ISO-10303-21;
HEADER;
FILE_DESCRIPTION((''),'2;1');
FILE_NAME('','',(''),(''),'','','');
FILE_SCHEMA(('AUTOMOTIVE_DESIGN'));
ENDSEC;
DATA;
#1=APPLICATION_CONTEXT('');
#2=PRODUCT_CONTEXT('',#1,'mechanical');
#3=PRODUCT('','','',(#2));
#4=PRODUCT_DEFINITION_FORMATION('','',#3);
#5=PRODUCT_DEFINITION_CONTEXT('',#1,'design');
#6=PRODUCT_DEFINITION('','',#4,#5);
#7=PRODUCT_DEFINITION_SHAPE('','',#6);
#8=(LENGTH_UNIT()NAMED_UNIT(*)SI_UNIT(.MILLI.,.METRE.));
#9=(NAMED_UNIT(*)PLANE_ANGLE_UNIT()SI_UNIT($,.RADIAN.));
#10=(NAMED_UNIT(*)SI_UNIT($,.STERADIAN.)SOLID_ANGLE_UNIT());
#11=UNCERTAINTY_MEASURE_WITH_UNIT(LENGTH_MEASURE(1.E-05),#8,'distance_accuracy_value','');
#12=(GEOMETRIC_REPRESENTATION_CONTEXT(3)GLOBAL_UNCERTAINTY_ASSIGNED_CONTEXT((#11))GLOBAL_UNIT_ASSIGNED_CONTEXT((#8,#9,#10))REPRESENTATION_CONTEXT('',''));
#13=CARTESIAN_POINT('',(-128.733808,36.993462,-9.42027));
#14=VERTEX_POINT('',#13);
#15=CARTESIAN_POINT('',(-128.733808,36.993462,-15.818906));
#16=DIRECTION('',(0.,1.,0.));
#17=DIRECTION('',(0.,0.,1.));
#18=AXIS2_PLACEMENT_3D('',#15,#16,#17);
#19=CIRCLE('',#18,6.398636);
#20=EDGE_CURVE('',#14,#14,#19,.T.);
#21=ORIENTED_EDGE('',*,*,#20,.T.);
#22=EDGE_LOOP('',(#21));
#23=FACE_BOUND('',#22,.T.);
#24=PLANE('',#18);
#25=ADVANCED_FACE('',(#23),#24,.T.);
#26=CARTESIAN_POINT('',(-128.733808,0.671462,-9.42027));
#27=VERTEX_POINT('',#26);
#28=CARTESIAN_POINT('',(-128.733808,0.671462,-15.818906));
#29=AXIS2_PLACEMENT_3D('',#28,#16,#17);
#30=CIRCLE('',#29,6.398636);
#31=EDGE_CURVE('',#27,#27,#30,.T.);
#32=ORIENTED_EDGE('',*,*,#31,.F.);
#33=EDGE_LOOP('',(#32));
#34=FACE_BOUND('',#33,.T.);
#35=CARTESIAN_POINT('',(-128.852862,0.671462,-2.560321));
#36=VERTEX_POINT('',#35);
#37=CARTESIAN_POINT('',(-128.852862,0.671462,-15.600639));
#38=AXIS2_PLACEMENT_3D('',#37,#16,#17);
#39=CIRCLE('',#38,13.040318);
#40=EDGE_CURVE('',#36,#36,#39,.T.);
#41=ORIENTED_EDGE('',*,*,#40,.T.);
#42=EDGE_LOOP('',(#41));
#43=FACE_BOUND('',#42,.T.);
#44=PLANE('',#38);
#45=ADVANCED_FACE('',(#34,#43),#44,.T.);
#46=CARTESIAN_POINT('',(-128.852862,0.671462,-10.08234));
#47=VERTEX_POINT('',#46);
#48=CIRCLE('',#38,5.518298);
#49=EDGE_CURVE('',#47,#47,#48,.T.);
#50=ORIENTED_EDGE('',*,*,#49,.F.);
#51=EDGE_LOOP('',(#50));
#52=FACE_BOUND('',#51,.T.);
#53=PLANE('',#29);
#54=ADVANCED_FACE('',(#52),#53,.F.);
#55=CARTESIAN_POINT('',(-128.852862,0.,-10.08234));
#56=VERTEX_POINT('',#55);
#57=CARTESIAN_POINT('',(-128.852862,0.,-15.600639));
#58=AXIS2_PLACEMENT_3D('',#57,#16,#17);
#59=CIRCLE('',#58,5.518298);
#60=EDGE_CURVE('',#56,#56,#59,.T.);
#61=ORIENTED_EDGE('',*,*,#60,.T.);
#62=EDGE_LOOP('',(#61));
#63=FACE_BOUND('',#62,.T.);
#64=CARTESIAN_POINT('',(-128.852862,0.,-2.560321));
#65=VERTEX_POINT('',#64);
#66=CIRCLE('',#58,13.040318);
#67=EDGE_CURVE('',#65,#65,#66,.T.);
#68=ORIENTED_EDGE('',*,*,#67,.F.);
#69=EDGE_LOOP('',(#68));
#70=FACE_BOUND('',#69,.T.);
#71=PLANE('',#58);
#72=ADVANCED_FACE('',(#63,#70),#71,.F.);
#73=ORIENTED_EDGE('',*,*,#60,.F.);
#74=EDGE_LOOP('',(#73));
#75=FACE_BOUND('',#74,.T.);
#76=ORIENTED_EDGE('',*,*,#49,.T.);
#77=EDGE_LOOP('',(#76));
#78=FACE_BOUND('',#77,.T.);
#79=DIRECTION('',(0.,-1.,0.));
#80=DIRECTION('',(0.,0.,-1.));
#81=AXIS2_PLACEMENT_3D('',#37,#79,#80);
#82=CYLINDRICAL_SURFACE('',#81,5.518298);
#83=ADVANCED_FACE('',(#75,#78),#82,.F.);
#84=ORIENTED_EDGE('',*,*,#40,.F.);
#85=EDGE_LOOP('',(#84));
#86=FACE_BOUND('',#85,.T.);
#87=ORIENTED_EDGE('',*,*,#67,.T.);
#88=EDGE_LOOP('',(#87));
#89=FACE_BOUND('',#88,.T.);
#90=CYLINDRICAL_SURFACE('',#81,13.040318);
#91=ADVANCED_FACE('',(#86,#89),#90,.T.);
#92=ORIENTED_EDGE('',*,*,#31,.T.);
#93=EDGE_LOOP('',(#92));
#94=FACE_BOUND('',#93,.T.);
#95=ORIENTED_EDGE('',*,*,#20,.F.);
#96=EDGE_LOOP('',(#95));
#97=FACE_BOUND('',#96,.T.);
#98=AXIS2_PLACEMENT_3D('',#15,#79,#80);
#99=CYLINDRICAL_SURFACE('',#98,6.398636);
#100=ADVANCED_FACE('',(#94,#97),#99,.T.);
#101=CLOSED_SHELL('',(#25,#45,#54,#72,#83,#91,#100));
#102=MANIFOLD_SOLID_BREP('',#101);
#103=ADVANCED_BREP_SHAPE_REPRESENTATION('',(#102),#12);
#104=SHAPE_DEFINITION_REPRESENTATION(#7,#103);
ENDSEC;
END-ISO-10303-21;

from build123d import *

# Parameters (mm, degrees)
SKETCH2_R           = 13.040317797
SKETCH2_R_2         = 5.518298306
BOSS_EXTRUDE2_DEPTH = 0.671461598
SKETCH6_R           = 6.398635868
BOSS_EXTRUDE7_DEPTH = 36.322


with BuildPart() as part:
    # Sketch2 → Boss-Extrude2 (new body)
    with BuildSketch(Plane(origin=(0, 0, 0), x_dir=(1, 0, 0), z_dir=(0, 1, 0))):
        with Locations(Location((-128.852862379, 15.600638677, 0), (0, 0, 270))):
            Circle(SKETCH2_R)
        with Locations(Location((-128.852862379, 15.600638677, 0), (0, 0, 270))):
            Circle(SKETCH2_R_2, mode=Mode.SUBTRACT)
    extrude(amount=BOSS_EXTRUDE2_DEPTH)

    # Sketch6 → Boss-Extrude7 (add)
    with BuildSketch(Plane(origin=(0, 0.671461598, 0), x_dir=(1, 0, 0), z_dir=(0, 1, 0))):
        with Locations(Location((-128.733807545, 15.818905873, 0), (0, 0, 270))):
            Circle(SKETCH6_R)
    extrude(amount=BOSS_EXTRUDE7_DEPTH)


solid = part.part
